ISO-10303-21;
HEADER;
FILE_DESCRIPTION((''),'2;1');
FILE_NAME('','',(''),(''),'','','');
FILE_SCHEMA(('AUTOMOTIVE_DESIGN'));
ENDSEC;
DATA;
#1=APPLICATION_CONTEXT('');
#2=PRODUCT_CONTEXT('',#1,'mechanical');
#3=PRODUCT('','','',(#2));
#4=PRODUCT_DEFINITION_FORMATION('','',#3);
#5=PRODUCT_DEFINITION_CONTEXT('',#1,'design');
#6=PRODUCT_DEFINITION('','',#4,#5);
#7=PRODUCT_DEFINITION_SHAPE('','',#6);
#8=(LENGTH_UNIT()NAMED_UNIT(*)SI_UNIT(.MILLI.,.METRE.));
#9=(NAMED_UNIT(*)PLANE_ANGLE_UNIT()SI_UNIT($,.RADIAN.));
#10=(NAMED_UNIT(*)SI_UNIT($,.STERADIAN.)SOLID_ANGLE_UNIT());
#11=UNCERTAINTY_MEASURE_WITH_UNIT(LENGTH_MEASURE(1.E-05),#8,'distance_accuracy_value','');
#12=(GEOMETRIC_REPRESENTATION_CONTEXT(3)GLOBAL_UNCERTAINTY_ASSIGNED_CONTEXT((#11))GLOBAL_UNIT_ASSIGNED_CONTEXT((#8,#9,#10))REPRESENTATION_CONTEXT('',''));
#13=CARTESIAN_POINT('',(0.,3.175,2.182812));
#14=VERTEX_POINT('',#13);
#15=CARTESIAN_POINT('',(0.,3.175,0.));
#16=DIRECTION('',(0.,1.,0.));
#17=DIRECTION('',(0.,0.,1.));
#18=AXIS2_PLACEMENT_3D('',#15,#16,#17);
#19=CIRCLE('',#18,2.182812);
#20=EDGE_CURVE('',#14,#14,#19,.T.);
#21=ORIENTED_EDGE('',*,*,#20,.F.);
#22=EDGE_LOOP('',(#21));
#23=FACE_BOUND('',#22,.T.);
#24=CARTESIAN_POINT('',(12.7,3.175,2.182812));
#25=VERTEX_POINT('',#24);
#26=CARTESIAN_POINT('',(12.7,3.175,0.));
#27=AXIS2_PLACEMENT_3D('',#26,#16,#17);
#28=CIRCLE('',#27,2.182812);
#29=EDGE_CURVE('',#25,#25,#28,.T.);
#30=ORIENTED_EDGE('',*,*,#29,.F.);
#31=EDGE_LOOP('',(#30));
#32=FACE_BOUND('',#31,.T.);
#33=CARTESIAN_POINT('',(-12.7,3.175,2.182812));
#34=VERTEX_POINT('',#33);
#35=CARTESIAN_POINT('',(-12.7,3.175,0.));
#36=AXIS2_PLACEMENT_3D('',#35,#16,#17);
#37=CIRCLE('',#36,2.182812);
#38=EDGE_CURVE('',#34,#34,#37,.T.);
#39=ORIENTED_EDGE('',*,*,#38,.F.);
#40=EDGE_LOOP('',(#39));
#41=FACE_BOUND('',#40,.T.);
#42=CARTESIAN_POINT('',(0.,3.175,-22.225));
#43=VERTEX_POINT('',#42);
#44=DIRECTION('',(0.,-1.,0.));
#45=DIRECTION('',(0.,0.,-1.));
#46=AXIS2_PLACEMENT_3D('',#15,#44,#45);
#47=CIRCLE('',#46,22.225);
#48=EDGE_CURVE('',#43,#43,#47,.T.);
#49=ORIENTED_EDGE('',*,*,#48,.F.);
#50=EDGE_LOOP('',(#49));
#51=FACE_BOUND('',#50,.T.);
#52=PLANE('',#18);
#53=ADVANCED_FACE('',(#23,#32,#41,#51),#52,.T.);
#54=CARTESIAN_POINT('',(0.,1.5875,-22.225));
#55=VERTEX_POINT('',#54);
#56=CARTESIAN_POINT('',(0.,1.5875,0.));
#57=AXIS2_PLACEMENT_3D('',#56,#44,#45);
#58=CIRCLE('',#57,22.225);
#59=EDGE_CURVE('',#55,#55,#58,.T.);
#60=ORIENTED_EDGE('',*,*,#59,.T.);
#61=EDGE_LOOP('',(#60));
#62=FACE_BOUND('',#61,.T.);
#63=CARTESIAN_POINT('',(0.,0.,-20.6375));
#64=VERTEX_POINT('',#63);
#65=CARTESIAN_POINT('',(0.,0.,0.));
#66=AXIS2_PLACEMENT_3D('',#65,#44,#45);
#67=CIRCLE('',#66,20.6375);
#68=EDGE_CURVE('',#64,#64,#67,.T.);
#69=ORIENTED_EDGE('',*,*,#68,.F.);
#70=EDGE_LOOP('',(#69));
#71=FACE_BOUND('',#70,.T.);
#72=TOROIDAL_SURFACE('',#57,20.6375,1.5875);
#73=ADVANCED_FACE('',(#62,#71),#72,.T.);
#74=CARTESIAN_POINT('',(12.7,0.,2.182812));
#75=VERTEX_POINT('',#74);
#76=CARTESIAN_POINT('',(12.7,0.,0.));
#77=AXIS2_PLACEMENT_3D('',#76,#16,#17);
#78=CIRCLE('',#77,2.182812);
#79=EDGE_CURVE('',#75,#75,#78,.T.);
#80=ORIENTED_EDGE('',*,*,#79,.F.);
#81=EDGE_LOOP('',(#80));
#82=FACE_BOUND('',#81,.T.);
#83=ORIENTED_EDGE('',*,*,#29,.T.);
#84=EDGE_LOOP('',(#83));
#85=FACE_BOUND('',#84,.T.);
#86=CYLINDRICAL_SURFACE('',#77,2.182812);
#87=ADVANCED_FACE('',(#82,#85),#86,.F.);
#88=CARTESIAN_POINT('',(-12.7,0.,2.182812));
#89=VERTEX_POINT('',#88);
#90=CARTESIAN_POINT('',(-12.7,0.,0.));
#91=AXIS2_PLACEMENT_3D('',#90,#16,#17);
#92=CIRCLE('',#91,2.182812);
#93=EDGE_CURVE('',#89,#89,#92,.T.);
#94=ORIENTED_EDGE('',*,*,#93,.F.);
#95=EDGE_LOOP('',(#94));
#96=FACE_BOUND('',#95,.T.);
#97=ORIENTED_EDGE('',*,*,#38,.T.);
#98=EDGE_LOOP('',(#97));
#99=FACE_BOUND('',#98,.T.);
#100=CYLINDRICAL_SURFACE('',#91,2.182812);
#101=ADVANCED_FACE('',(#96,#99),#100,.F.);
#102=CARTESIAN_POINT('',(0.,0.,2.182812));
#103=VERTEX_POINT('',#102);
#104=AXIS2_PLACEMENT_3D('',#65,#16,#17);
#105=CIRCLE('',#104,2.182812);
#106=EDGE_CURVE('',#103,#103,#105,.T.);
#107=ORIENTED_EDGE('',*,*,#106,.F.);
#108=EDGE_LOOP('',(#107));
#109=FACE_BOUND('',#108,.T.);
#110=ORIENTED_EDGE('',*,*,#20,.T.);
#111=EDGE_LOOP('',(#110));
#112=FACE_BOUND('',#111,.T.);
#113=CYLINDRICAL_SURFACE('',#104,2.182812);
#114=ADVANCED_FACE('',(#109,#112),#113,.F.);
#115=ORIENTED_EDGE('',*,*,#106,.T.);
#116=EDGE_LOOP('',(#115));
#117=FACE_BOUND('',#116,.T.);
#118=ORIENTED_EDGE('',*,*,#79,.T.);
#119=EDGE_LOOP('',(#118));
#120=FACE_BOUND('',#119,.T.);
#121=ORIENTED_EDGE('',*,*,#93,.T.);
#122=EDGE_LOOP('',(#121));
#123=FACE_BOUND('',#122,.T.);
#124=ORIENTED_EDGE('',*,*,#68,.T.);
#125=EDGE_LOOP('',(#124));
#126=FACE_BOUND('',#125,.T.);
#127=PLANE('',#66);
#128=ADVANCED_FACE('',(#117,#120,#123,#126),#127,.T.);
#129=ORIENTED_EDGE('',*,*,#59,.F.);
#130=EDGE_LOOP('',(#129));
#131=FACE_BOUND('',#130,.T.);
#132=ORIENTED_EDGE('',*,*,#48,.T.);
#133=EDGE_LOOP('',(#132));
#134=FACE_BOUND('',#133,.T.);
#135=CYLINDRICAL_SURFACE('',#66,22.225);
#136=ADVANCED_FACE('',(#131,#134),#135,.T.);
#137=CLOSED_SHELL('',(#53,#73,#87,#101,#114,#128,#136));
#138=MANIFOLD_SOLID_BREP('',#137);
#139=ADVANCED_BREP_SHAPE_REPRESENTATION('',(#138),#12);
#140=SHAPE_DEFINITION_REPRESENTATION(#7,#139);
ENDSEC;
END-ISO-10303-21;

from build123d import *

# Parameters (mm, degrees)
CUT_EXTRUDE1_DEPTH      = 32.590851198
CUT_EXTRUDE1_DEPTH_BACK = 32.590851198
SKETCH2_R               = 2.1828125


with BuildPart() as part:
    # Sketch1 → Revolve1 (revolve)
    with BuildSketch(Plane.XY, mode=Mode.PRIVATE) as revolve1_sk:
        with BuildLine():
            Line((0, 0), (20.6375, 0))
            ThreePointArc((20.6375, 0), (21.760032015, 0.464967985), (22.225, 1.5875))
            Line((22.225, 1.5875), (22.225, 3.175))
            Line((22.225, 3.175), (0, 3.175))
            Line((0, 3.175), (0, 0))
        make_face()
    revolve(revolve1_sk.sketch.rotate(Axis((0, 0, 0), (0, 1, 0)), 90), axis=Axis((0, 0, 0), (0, 1, 0)))

    # Sketch2 → Cut-Extrude1 (cut, two sides: drawn at the far end of the back side and taken through both)
    with BuildSketch(Plane(origin=(0, 3.175, 0), x_dir=(1, 0, 0), z_dir=(0, 1, 0)).offset(-CUT_EXTRUDE1_DEPTH_BACK)):
        with Locations(Location((0, 0, 0), (0, 0, 270))):
            Circle(SKETCH2_R)
        with Locations(Location((12.7, 0, 0), (0, 0, 270))):
            Circle(SKETCH2_R)
        with Locations(Location((-12.7, 0, 0), (0, 0, 270))):
            Circle(SKETCH2_R)
    extrude(amount=CUT_EXTRUDE1_DEPTH + CUT_EXTRUDE1_DEPTH_BACK, mode=Mode.SUBTRACT)


solid = part.part
